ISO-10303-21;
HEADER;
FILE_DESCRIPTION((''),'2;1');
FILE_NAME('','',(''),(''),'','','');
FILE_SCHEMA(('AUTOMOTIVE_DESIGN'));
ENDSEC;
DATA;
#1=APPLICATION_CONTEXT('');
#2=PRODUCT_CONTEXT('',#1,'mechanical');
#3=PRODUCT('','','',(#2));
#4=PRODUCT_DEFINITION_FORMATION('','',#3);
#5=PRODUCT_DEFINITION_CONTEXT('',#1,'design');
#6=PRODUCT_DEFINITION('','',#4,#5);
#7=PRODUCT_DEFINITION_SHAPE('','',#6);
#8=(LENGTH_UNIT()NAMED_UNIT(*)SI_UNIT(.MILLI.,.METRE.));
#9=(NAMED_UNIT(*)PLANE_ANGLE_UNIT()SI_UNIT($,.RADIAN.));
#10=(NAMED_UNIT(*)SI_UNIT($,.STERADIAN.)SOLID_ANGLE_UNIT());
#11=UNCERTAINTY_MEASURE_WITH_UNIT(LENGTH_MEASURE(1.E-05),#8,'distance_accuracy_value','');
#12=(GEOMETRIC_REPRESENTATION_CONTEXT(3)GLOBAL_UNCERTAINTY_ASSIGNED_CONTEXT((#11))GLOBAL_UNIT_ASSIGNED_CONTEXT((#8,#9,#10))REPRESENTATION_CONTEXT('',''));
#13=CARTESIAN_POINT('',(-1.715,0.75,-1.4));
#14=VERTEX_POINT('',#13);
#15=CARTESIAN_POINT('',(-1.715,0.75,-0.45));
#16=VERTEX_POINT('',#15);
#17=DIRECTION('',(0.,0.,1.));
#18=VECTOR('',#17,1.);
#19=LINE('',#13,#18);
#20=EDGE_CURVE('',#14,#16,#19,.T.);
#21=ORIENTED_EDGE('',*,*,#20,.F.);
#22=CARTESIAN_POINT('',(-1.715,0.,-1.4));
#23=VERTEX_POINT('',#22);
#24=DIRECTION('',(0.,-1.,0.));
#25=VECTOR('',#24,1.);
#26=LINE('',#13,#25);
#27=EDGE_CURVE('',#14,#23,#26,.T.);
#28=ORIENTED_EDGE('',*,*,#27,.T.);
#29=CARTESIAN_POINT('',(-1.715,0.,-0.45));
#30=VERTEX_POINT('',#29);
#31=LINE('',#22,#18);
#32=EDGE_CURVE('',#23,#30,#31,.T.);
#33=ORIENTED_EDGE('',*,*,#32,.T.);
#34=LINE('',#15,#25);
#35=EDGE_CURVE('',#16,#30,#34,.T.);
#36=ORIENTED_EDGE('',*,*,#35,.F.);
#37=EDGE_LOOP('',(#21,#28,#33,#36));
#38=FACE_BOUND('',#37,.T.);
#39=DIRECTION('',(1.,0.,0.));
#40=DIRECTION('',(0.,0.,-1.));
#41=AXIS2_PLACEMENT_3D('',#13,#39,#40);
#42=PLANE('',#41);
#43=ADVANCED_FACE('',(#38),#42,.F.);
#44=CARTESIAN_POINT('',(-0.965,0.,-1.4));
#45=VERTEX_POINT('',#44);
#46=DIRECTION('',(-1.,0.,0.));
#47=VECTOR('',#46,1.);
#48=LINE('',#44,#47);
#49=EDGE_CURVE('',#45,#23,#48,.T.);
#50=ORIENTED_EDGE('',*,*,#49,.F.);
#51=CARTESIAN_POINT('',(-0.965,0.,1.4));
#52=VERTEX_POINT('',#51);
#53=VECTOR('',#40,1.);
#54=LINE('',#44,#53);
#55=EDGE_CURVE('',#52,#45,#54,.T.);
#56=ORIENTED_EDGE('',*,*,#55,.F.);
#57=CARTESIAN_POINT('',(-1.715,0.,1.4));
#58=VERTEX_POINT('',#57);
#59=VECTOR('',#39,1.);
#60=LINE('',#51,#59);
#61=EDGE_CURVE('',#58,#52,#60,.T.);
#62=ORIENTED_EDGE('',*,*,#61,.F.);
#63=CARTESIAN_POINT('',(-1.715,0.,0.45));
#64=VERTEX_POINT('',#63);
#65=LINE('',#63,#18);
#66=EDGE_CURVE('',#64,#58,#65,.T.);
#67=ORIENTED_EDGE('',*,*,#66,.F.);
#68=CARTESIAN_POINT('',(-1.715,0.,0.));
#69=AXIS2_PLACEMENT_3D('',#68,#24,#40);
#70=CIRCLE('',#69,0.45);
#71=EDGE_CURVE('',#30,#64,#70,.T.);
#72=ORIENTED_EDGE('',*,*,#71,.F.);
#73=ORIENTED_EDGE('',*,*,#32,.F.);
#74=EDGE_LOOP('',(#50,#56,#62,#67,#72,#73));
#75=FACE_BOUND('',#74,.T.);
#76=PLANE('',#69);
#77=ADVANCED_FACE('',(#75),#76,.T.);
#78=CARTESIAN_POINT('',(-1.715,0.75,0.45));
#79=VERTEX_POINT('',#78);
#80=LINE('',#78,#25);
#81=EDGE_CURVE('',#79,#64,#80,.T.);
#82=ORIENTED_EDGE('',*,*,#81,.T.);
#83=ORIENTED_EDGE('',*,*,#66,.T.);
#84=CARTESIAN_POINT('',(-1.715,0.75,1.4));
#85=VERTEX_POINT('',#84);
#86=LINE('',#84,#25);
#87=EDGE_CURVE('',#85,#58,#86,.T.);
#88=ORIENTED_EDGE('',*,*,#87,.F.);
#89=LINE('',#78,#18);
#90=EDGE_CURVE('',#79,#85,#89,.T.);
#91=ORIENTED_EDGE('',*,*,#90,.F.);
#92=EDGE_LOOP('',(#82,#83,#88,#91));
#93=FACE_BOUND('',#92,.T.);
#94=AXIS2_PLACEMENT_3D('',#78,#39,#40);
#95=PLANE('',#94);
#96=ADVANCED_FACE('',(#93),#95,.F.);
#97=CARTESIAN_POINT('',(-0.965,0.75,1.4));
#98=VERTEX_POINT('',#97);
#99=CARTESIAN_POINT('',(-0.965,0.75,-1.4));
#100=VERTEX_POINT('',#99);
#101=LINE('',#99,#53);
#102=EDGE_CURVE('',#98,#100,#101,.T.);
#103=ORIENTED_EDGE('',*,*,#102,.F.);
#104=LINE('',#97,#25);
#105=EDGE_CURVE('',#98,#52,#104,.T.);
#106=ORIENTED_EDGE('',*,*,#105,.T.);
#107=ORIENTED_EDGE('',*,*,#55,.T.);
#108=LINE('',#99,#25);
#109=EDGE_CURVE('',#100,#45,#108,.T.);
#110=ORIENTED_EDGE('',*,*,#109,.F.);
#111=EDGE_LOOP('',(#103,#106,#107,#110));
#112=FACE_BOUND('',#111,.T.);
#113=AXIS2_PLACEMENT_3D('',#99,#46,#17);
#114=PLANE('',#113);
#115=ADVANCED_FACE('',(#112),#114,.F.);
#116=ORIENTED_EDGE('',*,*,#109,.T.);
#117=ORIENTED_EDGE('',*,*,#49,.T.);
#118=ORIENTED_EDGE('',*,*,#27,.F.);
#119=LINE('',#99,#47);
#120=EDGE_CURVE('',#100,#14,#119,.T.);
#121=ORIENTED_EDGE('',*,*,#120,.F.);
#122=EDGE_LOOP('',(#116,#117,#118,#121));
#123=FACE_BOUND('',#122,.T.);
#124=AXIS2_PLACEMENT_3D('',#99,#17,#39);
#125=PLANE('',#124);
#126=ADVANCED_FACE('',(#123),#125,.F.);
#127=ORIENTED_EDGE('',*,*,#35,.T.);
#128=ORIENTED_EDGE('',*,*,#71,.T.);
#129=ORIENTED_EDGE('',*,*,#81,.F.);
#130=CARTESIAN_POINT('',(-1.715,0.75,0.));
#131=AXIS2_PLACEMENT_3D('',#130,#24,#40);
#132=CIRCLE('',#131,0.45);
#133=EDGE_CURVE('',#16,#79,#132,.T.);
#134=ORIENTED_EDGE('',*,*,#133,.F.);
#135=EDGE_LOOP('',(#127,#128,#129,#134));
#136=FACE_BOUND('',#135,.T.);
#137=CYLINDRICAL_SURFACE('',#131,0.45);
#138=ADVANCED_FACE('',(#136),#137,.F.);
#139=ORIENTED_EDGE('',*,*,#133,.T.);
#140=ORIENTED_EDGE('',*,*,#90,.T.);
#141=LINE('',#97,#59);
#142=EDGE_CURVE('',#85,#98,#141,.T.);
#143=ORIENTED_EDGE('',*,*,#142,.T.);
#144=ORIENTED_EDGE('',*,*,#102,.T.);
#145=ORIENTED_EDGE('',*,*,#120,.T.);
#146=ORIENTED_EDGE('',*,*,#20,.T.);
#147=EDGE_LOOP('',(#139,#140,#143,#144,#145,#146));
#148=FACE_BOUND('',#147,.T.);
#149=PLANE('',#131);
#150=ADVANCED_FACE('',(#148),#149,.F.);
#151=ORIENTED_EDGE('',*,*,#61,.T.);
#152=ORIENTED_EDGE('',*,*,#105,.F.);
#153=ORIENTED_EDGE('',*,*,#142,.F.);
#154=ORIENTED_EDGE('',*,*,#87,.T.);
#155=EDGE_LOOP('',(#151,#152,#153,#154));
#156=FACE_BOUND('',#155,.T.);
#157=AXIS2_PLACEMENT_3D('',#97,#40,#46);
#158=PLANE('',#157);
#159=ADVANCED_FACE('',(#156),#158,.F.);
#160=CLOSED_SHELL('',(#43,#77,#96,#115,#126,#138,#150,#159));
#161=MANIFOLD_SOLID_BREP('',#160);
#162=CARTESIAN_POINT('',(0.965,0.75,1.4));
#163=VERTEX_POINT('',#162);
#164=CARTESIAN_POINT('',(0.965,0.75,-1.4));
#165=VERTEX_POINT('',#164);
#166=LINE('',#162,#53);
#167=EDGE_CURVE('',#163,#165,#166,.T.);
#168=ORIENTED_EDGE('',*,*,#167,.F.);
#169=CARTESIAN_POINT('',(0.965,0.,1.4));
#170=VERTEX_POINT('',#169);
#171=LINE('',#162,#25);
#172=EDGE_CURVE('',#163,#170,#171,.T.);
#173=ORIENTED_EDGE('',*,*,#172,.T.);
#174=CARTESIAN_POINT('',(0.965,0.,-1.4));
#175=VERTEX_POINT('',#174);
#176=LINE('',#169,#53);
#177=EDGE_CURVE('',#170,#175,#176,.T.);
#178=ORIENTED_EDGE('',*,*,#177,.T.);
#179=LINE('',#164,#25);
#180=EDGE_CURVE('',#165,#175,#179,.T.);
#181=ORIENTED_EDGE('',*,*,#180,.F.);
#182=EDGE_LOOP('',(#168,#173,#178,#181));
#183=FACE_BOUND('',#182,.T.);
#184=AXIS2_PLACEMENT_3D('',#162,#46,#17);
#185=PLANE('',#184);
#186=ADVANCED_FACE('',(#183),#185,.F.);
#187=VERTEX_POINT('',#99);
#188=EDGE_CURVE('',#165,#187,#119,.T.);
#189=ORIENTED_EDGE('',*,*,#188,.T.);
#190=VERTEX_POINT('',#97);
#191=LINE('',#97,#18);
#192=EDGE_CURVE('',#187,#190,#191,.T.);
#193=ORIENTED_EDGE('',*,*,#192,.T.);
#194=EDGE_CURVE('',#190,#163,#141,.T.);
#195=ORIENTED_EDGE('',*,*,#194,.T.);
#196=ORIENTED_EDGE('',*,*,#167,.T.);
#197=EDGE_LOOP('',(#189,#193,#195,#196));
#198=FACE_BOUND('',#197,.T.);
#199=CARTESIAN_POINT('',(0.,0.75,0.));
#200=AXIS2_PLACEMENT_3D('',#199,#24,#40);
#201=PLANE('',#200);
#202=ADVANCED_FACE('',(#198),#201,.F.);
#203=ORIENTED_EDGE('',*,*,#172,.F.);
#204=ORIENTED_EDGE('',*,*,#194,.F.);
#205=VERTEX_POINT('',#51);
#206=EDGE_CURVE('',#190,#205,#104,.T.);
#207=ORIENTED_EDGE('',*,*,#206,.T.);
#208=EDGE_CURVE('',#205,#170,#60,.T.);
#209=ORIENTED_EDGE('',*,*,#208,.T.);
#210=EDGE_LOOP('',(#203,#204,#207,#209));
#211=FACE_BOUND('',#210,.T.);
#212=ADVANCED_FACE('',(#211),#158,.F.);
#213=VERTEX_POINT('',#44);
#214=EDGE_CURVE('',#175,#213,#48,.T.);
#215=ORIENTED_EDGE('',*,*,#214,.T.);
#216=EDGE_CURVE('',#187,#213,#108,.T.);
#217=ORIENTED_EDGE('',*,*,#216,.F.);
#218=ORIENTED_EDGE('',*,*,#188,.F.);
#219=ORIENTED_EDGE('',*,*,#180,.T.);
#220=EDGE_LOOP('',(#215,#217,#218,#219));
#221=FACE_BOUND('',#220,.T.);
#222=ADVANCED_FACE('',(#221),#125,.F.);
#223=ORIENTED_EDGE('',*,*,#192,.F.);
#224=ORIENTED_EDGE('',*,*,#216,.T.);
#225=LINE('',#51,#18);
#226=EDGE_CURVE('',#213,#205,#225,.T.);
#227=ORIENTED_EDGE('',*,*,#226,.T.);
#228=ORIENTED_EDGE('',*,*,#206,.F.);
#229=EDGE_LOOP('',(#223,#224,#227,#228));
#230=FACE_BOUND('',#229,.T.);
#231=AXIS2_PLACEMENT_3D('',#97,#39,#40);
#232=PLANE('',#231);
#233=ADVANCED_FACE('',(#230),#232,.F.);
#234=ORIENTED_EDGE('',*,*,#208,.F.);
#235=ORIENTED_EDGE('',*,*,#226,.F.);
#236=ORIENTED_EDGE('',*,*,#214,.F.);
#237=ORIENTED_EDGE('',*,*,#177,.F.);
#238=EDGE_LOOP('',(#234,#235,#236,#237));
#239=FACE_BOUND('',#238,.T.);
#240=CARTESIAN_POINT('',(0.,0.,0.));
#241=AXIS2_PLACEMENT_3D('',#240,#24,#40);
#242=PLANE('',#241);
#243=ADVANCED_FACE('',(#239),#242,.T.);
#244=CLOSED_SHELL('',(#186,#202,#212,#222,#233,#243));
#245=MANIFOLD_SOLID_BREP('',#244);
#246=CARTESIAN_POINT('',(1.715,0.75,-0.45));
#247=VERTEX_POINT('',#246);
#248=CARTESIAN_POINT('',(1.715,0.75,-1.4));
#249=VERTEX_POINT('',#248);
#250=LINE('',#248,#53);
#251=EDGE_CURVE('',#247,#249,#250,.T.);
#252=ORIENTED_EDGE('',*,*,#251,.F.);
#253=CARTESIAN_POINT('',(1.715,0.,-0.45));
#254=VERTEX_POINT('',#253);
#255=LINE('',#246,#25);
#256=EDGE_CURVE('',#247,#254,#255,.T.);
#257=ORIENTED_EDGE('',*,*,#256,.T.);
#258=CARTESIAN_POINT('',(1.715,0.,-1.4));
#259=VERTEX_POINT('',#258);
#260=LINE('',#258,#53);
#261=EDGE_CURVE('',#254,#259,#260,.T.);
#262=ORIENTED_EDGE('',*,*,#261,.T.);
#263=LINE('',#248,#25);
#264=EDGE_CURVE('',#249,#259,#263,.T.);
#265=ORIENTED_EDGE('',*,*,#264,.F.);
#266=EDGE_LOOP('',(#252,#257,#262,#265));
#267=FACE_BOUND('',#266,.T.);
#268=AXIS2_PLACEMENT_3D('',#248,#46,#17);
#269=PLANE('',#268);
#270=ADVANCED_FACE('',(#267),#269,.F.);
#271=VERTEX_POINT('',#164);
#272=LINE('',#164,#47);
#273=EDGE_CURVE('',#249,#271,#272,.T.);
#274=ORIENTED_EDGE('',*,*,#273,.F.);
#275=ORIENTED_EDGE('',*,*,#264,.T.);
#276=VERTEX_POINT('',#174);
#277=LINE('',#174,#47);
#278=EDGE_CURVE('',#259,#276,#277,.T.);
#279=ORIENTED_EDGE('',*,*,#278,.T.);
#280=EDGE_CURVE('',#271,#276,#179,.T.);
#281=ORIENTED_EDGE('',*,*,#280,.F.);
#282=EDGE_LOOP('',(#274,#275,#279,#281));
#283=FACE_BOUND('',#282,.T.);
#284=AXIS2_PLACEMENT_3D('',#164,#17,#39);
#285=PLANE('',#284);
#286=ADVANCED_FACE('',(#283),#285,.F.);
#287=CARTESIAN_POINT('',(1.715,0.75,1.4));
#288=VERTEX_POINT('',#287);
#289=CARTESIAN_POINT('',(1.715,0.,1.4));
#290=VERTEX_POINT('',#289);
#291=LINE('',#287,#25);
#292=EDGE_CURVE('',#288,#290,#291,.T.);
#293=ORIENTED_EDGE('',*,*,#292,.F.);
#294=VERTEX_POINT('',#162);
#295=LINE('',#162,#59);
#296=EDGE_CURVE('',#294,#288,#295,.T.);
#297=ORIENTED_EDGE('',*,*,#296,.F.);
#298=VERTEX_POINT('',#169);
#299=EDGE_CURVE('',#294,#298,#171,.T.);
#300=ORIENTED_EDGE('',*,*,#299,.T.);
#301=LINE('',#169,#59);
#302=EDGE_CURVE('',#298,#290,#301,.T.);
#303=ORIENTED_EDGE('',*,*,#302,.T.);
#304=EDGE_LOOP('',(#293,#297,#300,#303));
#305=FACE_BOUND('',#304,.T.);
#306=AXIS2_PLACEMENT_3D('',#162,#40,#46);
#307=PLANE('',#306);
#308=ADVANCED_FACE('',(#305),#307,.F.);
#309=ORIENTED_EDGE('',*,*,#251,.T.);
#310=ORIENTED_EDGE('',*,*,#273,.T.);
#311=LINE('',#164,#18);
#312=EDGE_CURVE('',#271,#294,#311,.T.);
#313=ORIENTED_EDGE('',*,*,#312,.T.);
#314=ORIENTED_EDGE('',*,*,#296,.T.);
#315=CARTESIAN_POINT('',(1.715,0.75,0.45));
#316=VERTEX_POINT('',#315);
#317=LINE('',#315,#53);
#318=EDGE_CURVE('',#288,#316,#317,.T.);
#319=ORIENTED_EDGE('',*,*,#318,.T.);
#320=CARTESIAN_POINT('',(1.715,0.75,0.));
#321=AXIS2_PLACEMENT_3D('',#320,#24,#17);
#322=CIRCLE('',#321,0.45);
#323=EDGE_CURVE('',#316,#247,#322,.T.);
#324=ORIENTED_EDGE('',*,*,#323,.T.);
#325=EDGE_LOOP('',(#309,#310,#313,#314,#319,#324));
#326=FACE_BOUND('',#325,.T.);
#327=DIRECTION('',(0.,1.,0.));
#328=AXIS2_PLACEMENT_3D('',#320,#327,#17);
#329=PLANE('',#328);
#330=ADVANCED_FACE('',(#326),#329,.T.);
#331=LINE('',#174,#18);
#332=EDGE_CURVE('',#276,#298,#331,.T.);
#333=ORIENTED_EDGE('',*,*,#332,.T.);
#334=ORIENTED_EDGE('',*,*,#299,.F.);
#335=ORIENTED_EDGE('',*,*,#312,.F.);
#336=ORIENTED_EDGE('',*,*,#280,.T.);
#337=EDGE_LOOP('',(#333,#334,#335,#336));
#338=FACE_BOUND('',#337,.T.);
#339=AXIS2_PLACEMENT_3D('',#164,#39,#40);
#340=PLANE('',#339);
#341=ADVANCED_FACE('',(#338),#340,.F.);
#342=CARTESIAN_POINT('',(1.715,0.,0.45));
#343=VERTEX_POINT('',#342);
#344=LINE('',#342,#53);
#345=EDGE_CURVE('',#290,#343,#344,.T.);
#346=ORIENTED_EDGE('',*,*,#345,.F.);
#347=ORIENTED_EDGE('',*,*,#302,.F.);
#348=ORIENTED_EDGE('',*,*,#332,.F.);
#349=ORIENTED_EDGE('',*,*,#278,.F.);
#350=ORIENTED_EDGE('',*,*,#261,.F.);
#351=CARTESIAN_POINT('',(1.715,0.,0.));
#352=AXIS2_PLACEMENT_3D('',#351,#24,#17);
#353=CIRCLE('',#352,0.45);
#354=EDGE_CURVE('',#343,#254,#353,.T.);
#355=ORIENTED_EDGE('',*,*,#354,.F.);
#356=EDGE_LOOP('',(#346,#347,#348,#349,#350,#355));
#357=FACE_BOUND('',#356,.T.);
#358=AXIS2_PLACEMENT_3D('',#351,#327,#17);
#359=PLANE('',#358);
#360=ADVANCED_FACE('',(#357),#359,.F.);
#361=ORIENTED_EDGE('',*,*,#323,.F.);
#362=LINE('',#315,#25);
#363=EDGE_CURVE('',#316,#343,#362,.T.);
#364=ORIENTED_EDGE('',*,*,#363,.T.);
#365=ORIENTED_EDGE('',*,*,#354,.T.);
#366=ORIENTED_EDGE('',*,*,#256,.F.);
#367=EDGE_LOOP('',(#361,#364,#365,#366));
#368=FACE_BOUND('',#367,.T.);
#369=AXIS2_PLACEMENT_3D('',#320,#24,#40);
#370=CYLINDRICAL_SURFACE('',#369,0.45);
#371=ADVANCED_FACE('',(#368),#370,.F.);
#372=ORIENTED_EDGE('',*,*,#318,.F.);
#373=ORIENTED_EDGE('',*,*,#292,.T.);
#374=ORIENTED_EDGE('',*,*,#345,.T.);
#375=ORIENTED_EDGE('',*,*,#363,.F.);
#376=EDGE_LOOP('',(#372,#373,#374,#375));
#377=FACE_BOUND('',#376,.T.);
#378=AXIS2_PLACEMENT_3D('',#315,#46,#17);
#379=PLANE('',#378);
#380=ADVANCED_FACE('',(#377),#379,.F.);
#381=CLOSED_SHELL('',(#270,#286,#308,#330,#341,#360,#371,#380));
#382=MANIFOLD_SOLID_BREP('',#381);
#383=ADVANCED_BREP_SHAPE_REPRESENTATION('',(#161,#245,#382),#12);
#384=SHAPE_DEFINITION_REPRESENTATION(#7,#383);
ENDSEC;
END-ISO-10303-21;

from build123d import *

# Parameters (mm, degrees)
SKETCH1_W             = 1.93
SKETCH1_H             = 2.8
BOSS_EXTRUDE1_DEPTH   = 0.75
BOSS_EXTRUDE3_DEPTH   = 0.75
BOSS_EXTRUDE3_2_DEPTH = 0.75


with BuildPart() as part:
    # Sketch1 → Boss-Extrude1 (new body)
    with BuildSketch(Plane(origin=(0, 0, 0), x_dir=(1, 0, 0), z_dir=(0, 1, 0))):
        Rectangle(SKETCH1_W, SKETCH1_H)
    extrude(amount=BOSS_EXTRUDE1_DEPTH)


with BuildPart() as body_2:
    # Sketch2 → Boss-Extrude3 (new body)
    with BuildSketch(Plane(origin=(0, 0, 0), x_dir=(1, 0, 0), z_dir=(0, 1, 0))):
        with BuildLine():
            Line((1.715, -0.45), (1.715, -1.4))
            Line((1.715, -1.4), (0.965, -1.4))
            Line((0.965, -1.4), (0.965, 1.4))
            Line((0.965, 1.4), (1.715, 1.4))
            Line((1.715, 1.4), (1.715, 0.45))
            ThreePointArc((1.715, 0.45), (1.265, 0), (1.715, -0.45))
        make_face()
    extrude(amount=BOSS_EXTRUDE3_DEPTH)


with BuildPart() as body_3:
    # Sketch2 → Boss-Extrude3 2 (new body)
    with BuildSketch(Plane(origin=(0, 0, 0), x_dir=(1, 0, 0), z_dir=(0, 1, 0))):
        with BuildLine():
            Line((-0.965, 1.4), (-0.965, -1.4))
            Line((-0.965, -1.4), (-1.715, -1.4))
            Line((-1.715, -1.4), (-1.715, -0.45))
            ThreePointArc((-1.715, -0.45), (-1.265, 0), (-1.715, 0.45))
            Line((-1.715, 0.45), (-1.715, 1.4))
            Line((-1.715, 1.4), (-0.965, 1.4))
        make_face()
    extrude(amount=BOSS_EXTRUDE3_2_DEPTH)


solid = Compound([part.part, body_2.part, body_3.part])
